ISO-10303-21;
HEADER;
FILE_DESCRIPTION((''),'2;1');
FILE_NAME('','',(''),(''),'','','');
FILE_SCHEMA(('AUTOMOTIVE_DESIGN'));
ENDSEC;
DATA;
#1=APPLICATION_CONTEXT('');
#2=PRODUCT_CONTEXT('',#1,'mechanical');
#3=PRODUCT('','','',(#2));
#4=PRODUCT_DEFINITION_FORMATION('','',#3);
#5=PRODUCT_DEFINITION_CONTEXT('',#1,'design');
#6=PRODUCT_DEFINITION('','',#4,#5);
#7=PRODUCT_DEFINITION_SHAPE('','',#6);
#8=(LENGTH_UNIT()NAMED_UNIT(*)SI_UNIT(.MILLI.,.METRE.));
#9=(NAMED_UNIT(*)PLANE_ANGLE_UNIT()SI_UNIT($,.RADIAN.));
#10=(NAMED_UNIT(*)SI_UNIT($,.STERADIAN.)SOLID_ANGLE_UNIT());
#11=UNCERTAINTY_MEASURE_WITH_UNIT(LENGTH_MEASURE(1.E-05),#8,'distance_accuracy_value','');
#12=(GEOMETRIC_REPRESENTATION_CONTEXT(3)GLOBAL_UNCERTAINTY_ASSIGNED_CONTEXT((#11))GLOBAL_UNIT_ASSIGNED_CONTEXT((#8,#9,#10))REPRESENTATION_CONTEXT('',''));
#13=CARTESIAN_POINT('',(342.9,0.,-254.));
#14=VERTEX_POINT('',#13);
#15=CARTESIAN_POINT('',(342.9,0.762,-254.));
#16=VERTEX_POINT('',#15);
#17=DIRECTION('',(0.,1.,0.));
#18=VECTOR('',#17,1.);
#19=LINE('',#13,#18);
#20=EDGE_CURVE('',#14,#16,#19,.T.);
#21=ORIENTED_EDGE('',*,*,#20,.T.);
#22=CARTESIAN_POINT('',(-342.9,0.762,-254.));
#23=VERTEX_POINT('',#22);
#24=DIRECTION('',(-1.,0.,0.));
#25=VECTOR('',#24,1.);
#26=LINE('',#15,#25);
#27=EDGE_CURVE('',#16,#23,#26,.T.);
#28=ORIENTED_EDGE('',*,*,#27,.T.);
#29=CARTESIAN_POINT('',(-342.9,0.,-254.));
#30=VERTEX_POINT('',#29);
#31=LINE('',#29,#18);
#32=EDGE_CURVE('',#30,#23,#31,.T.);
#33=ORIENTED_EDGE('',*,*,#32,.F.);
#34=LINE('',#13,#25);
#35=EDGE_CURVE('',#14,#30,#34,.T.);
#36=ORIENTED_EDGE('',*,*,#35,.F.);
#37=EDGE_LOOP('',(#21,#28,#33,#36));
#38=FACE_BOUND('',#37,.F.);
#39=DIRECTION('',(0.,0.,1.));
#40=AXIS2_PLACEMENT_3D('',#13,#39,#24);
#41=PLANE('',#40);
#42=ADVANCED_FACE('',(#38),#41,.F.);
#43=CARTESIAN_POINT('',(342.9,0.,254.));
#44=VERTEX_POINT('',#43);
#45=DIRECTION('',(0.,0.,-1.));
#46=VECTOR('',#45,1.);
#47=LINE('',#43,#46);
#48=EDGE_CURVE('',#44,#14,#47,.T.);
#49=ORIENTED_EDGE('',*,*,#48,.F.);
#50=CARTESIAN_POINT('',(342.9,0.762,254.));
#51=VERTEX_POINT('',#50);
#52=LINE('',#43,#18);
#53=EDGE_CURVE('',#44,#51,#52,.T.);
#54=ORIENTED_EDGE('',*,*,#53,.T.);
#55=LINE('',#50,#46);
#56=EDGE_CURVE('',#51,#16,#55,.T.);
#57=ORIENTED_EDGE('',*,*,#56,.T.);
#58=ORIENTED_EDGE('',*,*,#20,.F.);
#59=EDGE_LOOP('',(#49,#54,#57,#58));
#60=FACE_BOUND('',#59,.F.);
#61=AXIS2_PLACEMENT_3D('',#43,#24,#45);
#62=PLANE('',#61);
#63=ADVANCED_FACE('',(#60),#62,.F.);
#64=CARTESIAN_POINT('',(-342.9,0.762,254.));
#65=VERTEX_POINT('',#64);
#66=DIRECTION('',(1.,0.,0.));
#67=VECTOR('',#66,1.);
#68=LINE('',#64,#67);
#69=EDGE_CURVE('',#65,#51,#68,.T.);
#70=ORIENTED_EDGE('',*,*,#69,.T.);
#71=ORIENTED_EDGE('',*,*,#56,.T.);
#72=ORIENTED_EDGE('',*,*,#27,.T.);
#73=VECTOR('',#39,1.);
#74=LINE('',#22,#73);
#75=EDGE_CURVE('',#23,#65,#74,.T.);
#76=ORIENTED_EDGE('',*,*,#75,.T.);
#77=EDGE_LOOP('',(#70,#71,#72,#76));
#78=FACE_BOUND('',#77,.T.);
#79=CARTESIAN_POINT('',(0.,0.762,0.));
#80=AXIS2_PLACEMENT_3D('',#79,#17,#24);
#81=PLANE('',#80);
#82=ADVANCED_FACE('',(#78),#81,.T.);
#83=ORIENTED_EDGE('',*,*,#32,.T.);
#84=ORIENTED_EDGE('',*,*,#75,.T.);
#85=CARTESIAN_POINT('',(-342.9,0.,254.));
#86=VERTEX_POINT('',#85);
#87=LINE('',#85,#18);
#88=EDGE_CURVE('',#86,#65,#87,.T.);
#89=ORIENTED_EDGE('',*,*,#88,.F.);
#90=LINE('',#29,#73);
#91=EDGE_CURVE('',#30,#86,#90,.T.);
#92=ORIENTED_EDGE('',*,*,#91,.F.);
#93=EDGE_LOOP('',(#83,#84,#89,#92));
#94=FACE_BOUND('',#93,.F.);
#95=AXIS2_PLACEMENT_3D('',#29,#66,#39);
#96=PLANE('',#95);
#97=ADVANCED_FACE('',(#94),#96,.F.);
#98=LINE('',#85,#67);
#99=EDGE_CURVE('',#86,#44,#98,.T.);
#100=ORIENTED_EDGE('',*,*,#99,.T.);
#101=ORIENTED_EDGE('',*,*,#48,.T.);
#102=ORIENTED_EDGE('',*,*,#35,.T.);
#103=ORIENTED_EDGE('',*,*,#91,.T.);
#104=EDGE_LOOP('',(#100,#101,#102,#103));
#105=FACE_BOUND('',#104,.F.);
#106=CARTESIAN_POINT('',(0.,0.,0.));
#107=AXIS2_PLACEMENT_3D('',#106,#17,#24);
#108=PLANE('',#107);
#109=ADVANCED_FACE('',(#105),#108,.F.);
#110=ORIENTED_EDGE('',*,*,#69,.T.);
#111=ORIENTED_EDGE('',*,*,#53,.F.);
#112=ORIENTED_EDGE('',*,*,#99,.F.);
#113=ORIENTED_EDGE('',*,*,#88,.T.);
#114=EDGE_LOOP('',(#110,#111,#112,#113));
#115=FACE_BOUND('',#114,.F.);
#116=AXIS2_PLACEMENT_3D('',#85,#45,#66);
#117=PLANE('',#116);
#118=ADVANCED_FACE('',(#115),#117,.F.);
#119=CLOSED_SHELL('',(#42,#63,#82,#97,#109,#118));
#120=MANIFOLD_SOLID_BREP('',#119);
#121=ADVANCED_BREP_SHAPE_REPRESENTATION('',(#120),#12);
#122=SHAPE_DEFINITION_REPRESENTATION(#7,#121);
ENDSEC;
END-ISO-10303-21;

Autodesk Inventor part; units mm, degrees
ref_plane "YZ Plane" through (0, 0, 0) normal (1, 0, 0) x (0, 1, 0)
ref_plane "XZ Plane" through (0, 0, 0) normal (0, 1, 0) x (-1, 0, 0)
ref_plane "XY Plane" through (0, 0, 0) normal (0, 0, 1) x (1, 0, 0)
sketch "Sketch1" plane through (0, 0, 0) normal (0, 1, 0) x (-1, 0, 0)
  line L0 (342.9, 254) -> (-342.9, 254)
  line L1 (-342.9, 254) -> (-342.9, -254)
  line L2 (-342.9, -254) -> (342.9, -254)
  line L3 (342.9, -254) -> (342.9, 254)
  line L4 (342.9, 254) -> (-342.9, -254) construction
  line L5 (-342.9, 254) -> (342.9, -254) construction
  point P0 (0, 0)
  dimension "d0" = 685.8
  dimension "d1" = 508
extrude "Extrusion1" add sketch "Sketch1" along normal blind 0.762
properties part number "Plexiglass"
